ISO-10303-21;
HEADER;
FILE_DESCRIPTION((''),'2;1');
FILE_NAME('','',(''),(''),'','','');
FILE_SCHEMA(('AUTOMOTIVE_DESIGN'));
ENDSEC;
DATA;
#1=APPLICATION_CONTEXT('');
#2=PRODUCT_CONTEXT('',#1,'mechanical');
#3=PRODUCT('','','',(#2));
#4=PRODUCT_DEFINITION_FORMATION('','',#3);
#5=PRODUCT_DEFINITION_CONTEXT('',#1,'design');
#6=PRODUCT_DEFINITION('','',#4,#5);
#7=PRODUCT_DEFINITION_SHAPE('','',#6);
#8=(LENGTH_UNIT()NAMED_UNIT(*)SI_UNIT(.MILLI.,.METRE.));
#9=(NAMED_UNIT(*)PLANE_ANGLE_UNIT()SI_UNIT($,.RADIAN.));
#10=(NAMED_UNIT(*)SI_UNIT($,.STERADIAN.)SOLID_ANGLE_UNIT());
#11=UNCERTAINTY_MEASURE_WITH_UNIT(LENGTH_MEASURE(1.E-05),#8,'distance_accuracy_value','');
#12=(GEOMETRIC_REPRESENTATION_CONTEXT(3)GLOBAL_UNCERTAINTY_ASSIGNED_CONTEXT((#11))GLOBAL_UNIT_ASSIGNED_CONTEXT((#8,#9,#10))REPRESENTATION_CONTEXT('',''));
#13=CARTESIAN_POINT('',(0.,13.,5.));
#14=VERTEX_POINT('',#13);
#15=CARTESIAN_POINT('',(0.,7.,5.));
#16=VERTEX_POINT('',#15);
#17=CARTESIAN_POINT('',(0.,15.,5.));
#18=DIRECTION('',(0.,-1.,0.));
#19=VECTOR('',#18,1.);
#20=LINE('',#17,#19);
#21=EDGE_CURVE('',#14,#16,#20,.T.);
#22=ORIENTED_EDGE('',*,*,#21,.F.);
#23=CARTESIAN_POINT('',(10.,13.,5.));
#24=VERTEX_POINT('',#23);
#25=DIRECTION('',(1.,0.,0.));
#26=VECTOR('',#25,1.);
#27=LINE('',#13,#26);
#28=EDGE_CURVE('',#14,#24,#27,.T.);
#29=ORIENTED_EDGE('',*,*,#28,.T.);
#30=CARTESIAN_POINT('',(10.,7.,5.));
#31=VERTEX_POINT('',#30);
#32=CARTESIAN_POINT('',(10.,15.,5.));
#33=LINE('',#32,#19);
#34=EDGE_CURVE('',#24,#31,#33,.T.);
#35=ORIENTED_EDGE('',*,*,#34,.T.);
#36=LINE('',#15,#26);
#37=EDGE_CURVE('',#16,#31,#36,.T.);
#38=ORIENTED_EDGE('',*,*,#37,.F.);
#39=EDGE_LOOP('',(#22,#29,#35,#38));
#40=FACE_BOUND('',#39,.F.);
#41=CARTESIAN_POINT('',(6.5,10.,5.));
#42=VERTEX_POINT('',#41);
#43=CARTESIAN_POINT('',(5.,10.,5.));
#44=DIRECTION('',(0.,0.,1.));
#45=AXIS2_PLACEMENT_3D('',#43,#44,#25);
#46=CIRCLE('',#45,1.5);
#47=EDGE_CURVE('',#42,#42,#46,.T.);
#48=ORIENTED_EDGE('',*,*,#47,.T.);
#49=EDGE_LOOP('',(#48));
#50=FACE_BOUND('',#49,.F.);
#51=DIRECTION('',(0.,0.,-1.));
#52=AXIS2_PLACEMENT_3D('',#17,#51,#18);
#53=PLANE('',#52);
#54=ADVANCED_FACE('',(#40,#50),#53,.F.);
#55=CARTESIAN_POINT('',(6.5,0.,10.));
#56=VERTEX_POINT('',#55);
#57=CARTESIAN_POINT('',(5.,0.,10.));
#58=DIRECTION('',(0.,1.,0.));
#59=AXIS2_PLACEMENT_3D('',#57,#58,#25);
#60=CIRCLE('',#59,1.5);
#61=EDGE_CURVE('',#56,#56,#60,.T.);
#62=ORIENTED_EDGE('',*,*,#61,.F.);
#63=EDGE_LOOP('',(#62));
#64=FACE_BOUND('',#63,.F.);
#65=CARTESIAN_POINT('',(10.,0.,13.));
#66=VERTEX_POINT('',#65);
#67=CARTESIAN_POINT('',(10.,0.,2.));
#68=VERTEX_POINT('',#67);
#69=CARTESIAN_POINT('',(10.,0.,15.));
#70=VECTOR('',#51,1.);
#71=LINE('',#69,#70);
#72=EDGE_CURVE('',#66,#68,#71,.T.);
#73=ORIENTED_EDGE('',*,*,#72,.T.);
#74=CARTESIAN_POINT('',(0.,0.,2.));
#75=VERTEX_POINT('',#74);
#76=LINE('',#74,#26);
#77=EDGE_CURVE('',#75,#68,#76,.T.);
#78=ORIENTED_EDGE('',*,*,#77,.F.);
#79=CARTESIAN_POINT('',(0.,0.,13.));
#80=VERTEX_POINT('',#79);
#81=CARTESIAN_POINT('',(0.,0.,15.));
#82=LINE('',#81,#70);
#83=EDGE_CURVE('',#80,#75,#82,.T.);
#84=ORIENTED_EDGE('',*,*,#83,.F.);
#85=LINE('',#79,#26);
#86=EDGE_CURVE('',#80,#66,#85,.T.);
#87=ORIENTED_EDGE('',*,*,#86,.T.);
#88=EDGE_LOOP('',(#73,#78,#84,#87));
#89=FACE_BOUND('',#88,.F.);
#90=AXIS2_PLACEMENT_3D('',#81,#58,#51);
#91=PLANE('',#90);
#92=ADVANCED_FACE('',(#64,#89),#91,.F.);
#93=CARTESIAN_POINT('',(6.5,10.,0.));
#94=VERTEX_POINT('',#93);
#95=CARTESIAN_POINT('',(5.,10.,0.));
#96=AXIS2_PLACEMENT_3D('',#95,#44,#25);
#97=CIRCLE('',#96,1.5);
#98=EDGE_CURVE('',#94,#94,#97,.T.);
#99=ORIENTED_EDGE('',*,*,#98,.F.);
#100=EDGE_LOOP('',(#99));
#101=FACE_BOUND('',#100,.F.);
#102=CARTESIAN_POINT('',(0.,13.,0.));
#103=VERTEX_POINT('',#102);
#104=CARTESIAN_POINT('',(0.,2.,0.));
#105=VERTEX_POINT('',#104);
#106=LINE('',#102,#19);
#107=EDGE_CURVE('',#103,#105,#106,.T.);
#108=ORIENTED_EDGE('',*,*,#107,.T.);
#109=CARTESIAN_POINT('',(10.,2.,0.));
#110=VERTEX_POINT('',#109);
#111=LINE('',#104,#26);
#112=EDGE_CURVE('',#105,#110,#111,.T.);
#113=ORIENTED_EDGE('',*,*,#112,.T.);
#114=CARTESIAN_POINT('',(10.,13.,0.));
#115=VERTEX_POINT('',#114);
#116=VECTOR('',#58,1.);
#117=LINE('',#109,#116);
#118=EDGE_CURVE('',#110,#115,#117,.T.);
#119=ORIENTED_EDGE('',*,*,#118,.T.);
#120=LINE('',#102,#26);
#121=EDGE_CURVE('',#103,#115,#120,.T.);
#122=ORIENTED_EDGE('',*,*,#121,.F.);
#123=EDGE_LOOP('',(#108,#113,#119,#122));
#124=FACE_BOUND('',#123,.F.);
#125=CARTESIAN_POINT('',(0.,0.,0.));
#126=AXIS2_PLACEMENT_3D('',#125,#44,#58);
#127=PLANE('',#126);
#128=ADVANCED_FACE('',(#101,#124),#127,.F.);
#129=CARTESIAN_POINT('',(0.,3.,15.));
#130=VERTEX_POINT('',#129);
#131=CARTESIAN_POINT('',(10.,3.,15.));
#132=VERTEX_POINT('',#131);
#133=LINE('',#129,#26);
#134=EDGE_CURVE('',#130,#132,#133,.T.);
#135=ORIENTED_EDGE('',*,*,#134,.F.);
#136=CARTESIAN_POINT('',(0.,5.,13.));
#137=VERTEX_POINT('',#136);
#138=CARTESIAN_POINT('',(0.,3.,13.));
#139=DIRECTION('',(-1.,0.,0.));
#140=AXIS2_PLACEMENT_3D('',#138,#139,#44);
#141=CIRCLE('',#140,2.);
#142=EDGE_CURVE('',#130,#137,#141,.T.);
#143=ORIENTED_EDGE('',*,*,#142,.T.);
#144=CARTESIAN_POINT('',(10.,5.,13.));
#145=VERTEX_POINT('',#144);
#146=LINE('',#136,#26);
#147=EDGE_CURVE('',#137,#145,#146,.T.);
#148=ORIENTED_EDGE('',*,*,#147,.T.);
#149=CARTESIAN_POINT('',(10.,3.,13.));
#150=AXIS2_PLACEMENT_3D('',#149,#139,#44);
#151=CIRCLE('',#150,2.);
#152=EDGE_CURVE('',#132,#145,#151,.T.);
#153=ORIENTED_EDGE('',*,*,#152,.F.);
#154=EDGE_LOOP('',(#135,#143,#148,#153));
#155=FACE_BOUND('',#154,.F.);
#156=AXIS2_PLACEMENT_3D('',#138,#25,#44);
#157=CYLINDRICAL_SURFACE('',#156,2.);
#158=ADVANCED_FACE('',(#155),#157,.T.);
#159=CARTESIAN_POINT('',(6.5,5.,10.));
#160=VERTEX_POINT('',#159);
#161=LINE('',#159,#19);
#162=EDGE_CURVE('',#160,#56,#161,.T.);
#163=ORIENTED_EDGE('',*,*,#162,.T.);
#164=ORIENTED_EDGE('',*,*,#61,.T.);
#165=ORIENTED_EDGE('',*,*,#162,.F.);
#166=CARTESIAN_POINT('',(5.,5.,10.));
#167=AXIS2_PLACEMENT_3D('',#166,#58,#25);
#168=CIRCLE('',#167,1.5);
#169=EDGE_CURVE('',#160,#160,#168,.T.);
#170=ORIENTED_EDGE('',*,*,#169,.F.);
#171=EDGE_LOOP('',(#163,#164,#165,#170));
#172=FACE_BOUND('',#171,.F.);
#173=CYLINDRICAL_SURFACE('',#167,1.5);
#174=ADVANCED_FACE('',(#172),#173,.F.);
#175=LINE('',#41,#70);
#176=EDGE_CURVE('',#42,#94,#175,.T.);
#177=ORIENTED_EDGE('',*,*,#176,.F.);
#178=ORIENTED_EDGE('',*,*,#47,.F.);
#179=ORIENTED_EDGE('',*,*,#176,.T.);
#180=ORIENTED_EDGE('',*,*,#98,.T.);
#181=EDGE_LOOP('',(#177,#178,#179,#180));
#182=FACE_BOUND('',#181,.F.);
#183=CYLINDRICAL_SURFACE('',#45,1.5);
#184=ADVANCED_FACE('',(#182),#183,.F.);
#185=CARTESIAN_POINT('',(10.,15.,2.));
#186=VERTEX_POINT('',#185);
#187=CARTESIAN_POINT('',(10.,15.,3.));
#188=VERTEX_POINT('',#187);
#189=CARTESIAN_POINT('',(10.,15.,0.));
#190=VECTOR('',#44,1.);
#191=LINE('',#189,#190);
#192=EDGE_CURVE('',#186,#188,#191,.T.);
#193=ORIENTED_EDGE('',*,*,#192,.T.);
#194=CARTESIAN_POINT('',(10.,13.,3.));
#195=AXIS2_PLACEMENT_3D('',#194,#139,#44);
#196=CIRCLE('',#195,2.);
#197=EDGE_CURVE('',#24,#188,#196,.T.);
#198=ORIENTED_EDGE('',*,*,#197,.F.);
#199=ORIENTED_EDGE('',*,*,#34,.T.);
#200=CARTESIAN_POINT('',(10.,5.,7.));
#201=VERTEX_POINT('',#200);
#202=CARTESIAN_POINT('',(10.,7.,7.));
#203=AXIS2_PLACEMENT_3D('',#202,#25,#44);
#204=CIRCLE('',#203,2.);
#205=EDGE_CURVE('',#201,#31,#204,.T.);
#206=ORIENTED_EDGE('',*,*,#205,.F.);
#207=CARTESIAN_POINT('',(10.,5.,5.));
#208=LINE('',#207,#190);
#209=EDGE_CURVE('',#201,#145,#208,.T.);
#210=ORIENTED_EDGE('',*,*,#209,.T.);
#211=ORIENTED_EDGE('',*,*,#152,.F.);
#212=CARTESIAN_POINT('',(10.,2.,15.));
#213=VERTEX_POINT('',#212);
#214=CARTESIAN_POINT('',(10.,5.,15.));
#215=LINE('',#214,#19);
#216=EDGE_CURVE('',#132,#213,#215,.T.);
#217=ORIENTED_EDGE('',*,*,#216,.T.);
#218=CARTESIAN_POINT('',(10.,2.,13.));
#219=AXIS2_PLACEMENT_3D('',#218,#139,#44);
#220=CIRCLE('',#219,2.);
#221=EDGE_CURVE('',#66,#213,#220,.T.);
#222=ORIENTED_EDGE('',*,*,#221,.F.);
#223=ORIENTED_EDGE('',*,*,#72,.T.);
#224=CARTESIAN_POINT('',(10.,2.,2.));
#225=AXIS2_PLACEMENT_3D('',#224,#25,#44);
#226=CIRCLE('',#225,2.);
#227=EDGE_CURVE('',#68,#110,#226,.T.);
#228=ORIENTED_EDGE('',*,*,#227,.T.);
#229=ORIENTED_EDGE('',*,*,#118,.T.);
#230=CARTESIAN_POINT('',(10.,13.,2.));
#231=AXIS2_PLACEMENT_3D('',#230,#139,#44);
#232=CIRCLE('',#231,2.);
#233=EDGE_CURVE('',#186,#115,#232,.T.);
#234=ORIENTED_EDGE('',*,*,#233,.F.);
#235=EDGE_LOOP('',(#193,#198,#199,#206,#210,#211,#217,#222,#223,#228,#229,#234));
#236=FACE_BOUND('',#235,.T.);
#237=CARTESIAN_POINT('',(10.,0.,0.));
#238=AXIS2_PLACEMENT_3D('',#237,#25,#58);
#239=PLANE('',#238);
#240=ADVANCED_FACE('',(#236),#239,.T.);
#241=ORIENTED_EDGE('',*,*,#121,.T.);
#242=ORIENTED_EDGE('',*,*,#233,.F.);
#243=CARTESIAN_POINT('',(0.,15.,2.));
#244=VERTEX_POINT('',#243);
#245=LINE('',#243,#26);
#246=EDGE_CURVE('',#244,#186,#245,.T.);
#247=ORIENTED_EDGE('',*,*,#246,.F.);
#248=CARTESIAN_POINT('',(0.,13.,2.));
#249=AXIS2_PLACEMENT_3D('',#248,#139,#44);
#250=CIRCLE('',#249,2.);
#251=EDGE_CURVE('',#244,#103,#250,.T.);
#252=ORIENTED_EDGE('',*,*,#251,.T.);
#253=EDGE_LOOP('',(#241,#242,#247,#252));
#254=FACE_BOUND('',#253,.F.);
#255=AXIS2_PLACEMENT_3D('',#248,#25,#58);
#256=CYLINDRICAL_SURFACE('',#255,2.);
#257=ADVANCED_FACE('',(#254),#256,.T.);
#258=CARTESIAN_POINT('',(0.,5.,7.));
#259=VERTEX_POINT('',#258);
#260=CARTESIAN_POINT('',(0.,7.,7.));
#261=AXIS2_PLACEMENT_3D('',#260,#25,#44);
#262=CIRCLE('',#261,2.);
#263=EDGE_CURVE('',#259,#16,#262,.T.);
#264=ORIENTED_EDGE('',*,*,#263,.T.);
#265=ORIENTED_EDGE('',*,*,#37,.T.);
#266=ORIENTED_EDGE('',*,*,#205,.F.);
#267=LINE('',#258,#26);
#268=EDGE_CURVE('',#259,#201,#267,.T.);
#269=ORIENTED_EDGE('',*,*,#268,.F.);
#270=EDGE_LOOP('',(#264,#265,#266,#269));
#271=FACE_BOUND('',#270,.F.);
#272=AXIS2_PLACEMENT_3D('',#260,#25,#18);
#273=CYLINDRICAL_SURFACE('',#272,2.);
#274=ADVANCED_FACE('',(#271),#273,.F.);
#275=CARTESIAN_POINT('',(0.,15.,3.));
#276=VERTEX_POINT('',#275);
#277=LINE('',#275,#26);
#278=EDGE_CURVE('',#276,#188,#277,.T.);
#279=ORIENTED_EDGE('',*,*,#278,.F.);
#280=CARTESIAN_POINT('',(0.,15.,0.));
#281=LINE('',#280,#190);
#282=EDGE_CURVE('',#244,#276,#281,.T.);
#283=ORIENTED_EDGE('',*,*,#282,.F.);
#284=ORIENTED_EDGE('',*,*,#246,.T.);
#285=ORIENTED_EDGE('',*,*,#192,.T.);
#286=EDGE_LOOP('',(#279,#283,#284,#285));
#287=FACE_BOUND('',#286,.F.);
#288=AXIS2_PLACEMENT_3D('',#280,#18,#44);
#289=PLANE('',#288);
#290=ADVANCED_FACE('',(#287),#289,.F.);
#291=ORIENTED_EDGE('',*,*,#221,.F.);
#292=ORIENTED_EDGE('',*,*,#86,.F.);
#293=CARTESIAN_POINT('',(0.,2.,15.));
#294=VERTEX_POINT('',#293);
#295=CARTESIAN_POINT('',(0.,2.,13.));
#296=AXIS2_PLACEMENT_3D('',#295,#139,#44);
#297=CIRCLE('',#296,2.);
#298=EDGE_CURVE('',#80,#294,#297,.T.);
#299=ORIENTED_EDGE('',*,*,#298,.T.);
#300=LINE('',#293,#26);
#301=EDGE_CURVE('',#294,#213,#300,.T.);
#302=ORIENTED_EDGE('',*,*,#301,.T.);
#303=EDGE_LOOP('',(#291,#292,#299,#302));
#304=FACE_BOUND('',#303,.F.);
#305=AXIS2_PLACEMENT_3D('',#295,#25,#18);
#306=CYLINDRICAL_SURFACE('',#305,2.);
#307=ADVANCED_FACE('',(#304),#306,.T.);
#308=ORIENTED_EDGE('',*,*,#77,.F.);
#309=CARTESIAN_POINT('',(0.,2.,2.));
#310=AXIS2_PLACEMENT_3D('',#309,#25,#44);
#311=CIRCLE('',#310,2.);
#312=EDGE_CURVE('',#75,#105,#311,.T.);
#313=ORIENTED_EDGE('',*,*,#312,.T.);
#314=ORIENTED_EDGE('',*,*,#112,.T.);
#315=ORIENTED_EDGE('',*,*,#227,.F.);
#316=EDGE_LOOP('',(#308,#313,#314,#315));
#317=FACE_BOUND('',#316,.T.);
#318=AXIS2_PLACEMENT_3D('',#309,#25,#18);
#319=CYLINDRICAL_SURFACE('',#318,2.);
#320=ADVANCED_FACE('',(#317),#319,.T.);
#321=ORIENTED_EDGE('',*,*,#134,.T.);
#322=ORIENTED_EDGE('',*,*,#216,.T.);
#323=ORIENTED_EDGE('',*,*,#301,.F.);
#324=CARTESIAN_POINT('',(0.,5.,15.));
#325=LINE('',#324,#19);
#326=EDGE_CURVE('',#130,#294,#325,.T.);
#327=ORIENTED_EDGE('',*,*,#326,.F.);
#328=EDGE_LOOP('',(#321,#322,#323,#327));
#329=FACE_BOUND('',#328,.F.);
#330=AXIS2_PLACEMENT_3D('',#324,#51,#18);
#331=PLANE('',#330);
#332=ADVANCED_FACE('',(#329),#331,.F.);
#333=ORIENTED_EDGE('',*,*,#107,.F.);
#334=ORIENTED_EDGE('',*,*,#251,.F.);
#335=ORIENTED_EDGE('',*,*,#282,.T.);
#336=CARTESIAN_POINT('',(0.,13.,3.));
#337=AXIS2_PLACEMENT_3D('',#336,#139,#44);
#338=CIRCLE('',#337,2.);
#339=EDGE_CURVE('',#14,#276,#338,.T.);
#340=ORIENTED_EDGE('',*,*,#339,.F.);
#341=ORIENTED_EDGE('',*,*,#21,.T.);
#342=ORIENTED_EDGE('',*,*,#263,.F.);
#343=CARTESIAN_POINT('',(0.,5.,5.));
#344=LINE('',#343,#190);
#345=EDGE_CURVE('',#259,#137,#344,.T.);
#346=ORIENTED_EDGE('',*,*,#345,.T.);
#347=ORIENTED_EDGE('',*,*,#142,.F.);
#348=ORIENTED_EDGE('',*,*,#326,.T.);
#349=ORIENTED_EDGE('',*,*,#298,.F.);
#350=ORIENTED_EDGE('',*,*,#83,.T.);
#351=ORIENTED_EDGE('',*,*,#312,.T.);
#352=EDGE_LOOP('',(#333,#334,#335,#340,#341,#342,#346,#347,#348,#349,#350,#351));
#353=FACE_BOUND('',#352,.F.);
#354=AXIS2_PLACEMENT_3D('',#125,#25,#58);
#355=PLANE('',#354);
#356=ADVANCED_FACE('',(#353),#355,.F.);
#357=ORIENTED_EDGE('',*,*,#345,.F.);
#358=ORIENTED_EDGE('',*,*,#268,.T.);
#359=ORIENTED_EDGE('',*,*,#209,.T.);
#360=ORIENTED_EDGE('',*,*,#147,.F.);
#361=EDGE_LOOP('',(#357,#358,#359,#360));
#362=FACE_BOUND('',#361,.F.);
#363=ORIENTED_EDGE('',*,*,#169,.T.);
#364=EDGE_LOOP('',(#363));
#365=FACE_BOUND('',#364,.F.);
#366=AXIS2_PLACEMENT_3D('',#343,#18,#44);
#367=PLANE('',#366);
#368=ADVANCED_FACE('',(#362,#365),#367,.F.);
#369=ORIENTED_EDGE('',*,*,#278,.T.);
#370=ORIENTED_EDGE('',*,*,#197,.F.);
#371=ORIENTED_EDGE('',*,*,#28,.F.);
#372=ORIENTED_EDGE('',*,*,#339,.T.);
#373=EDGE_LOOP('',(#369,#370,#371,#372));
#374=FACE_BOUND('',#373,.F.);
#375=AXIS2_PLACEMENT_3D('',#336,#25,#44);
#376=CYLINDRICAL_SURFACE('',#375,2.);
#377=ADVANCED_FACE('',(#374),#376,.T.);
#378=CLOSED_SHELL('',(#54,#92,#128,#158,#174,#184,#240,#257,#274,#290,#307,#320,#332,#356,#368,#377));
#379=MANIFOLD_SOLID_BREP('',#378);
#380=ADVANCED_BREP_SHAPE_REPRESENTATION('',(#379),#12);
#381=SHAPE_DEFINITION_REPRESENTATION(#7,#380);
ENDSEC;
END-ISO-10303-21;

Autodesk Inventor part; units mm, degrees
ref_plane "YZ Plane" through (0, 0, 0) normal (1, 0, 0) x (0, 1, 0)
ref_plane "XZ Plane" through (0, 0, 0) normal (0, 1, 0) x (-1, 0, 0)
ref_plane "XY Plane" through (0, 0, 0) normal (0, 0, 1) x (1, 0, 0)
sketch "Sketch1" plane through (0, 0, 0) normal (1, 0, 0) x (0, 1, 0)
  line L0 (0, 0) -> (5, 0)
  line L1 (5, 5) -> (5, 15)
  line L2 (5, 15) -> (0, 15)
  line L3 (0, 15) -> (0, 0)
  line L4 (0, 0) -> (15, 0)
  line L5 (15, 0) -> (15, 5)
  line L6 (15, 5) -> (5, 5)
  line L7 (0, 15) -> (0, 0)
  point P0 (2.5, 15)
  point P1 (2.5, 0)
  point P2 (0, 7.5)
  point P3 (15, 2.5)
  dimension "d0" = 15
  dimension "d2" = 10
  dimension "d3" = 10
  dimension "d4" = 15
  dimension "d5" = 5
  dimension "d6" = 10
extrude "Extrusion1" add sketch "Sketch1" along normal blind 10
fillet "Fillet1" radius 2 6 edges at (5, 5, 5) (5, 0, 0) (5, 5, 15) (5, 0, 15) (5, 15, 5) (5, 15, 0)
sketch "Sketch2" plane through (0, 5, 13) normal (0, 1, 0) x (1, 0, 0)
  circle A0 centre (5, 3) radius 1.5
  line L0 (0, 6) -> (0, 0) projected
  line L1 (0, -2) -> (10, -2) projected
  point P0 (0, 13)
  point P1 (5, -2)
  dimension "d10" = 5
  dimension "d11" = 5
  dimension "d12" = 3
sketch "Sketch3" plane through (0, 7, 5) normal (0, 0, 1) x (1, 0, 0)
  circle A0 centre (5, 3) radius 1.5
  line L0 (10, 8) -> (0, 8) projected
  line L1 (0, 6) -> (0, 0) projected
  point P0 (0, -7)
  point P1 (5, 8)
  point P2 (0, 3)
  dimension "d13" = 3
  dimension "d14" = 5
  dimension "d15" = 5
extrude "Extrusion2" cut sketch "Sketch2" against normal through all
extrude "Extrusion3" cut sketch "Sketch3" against normal through all
properties part number "L joint"
